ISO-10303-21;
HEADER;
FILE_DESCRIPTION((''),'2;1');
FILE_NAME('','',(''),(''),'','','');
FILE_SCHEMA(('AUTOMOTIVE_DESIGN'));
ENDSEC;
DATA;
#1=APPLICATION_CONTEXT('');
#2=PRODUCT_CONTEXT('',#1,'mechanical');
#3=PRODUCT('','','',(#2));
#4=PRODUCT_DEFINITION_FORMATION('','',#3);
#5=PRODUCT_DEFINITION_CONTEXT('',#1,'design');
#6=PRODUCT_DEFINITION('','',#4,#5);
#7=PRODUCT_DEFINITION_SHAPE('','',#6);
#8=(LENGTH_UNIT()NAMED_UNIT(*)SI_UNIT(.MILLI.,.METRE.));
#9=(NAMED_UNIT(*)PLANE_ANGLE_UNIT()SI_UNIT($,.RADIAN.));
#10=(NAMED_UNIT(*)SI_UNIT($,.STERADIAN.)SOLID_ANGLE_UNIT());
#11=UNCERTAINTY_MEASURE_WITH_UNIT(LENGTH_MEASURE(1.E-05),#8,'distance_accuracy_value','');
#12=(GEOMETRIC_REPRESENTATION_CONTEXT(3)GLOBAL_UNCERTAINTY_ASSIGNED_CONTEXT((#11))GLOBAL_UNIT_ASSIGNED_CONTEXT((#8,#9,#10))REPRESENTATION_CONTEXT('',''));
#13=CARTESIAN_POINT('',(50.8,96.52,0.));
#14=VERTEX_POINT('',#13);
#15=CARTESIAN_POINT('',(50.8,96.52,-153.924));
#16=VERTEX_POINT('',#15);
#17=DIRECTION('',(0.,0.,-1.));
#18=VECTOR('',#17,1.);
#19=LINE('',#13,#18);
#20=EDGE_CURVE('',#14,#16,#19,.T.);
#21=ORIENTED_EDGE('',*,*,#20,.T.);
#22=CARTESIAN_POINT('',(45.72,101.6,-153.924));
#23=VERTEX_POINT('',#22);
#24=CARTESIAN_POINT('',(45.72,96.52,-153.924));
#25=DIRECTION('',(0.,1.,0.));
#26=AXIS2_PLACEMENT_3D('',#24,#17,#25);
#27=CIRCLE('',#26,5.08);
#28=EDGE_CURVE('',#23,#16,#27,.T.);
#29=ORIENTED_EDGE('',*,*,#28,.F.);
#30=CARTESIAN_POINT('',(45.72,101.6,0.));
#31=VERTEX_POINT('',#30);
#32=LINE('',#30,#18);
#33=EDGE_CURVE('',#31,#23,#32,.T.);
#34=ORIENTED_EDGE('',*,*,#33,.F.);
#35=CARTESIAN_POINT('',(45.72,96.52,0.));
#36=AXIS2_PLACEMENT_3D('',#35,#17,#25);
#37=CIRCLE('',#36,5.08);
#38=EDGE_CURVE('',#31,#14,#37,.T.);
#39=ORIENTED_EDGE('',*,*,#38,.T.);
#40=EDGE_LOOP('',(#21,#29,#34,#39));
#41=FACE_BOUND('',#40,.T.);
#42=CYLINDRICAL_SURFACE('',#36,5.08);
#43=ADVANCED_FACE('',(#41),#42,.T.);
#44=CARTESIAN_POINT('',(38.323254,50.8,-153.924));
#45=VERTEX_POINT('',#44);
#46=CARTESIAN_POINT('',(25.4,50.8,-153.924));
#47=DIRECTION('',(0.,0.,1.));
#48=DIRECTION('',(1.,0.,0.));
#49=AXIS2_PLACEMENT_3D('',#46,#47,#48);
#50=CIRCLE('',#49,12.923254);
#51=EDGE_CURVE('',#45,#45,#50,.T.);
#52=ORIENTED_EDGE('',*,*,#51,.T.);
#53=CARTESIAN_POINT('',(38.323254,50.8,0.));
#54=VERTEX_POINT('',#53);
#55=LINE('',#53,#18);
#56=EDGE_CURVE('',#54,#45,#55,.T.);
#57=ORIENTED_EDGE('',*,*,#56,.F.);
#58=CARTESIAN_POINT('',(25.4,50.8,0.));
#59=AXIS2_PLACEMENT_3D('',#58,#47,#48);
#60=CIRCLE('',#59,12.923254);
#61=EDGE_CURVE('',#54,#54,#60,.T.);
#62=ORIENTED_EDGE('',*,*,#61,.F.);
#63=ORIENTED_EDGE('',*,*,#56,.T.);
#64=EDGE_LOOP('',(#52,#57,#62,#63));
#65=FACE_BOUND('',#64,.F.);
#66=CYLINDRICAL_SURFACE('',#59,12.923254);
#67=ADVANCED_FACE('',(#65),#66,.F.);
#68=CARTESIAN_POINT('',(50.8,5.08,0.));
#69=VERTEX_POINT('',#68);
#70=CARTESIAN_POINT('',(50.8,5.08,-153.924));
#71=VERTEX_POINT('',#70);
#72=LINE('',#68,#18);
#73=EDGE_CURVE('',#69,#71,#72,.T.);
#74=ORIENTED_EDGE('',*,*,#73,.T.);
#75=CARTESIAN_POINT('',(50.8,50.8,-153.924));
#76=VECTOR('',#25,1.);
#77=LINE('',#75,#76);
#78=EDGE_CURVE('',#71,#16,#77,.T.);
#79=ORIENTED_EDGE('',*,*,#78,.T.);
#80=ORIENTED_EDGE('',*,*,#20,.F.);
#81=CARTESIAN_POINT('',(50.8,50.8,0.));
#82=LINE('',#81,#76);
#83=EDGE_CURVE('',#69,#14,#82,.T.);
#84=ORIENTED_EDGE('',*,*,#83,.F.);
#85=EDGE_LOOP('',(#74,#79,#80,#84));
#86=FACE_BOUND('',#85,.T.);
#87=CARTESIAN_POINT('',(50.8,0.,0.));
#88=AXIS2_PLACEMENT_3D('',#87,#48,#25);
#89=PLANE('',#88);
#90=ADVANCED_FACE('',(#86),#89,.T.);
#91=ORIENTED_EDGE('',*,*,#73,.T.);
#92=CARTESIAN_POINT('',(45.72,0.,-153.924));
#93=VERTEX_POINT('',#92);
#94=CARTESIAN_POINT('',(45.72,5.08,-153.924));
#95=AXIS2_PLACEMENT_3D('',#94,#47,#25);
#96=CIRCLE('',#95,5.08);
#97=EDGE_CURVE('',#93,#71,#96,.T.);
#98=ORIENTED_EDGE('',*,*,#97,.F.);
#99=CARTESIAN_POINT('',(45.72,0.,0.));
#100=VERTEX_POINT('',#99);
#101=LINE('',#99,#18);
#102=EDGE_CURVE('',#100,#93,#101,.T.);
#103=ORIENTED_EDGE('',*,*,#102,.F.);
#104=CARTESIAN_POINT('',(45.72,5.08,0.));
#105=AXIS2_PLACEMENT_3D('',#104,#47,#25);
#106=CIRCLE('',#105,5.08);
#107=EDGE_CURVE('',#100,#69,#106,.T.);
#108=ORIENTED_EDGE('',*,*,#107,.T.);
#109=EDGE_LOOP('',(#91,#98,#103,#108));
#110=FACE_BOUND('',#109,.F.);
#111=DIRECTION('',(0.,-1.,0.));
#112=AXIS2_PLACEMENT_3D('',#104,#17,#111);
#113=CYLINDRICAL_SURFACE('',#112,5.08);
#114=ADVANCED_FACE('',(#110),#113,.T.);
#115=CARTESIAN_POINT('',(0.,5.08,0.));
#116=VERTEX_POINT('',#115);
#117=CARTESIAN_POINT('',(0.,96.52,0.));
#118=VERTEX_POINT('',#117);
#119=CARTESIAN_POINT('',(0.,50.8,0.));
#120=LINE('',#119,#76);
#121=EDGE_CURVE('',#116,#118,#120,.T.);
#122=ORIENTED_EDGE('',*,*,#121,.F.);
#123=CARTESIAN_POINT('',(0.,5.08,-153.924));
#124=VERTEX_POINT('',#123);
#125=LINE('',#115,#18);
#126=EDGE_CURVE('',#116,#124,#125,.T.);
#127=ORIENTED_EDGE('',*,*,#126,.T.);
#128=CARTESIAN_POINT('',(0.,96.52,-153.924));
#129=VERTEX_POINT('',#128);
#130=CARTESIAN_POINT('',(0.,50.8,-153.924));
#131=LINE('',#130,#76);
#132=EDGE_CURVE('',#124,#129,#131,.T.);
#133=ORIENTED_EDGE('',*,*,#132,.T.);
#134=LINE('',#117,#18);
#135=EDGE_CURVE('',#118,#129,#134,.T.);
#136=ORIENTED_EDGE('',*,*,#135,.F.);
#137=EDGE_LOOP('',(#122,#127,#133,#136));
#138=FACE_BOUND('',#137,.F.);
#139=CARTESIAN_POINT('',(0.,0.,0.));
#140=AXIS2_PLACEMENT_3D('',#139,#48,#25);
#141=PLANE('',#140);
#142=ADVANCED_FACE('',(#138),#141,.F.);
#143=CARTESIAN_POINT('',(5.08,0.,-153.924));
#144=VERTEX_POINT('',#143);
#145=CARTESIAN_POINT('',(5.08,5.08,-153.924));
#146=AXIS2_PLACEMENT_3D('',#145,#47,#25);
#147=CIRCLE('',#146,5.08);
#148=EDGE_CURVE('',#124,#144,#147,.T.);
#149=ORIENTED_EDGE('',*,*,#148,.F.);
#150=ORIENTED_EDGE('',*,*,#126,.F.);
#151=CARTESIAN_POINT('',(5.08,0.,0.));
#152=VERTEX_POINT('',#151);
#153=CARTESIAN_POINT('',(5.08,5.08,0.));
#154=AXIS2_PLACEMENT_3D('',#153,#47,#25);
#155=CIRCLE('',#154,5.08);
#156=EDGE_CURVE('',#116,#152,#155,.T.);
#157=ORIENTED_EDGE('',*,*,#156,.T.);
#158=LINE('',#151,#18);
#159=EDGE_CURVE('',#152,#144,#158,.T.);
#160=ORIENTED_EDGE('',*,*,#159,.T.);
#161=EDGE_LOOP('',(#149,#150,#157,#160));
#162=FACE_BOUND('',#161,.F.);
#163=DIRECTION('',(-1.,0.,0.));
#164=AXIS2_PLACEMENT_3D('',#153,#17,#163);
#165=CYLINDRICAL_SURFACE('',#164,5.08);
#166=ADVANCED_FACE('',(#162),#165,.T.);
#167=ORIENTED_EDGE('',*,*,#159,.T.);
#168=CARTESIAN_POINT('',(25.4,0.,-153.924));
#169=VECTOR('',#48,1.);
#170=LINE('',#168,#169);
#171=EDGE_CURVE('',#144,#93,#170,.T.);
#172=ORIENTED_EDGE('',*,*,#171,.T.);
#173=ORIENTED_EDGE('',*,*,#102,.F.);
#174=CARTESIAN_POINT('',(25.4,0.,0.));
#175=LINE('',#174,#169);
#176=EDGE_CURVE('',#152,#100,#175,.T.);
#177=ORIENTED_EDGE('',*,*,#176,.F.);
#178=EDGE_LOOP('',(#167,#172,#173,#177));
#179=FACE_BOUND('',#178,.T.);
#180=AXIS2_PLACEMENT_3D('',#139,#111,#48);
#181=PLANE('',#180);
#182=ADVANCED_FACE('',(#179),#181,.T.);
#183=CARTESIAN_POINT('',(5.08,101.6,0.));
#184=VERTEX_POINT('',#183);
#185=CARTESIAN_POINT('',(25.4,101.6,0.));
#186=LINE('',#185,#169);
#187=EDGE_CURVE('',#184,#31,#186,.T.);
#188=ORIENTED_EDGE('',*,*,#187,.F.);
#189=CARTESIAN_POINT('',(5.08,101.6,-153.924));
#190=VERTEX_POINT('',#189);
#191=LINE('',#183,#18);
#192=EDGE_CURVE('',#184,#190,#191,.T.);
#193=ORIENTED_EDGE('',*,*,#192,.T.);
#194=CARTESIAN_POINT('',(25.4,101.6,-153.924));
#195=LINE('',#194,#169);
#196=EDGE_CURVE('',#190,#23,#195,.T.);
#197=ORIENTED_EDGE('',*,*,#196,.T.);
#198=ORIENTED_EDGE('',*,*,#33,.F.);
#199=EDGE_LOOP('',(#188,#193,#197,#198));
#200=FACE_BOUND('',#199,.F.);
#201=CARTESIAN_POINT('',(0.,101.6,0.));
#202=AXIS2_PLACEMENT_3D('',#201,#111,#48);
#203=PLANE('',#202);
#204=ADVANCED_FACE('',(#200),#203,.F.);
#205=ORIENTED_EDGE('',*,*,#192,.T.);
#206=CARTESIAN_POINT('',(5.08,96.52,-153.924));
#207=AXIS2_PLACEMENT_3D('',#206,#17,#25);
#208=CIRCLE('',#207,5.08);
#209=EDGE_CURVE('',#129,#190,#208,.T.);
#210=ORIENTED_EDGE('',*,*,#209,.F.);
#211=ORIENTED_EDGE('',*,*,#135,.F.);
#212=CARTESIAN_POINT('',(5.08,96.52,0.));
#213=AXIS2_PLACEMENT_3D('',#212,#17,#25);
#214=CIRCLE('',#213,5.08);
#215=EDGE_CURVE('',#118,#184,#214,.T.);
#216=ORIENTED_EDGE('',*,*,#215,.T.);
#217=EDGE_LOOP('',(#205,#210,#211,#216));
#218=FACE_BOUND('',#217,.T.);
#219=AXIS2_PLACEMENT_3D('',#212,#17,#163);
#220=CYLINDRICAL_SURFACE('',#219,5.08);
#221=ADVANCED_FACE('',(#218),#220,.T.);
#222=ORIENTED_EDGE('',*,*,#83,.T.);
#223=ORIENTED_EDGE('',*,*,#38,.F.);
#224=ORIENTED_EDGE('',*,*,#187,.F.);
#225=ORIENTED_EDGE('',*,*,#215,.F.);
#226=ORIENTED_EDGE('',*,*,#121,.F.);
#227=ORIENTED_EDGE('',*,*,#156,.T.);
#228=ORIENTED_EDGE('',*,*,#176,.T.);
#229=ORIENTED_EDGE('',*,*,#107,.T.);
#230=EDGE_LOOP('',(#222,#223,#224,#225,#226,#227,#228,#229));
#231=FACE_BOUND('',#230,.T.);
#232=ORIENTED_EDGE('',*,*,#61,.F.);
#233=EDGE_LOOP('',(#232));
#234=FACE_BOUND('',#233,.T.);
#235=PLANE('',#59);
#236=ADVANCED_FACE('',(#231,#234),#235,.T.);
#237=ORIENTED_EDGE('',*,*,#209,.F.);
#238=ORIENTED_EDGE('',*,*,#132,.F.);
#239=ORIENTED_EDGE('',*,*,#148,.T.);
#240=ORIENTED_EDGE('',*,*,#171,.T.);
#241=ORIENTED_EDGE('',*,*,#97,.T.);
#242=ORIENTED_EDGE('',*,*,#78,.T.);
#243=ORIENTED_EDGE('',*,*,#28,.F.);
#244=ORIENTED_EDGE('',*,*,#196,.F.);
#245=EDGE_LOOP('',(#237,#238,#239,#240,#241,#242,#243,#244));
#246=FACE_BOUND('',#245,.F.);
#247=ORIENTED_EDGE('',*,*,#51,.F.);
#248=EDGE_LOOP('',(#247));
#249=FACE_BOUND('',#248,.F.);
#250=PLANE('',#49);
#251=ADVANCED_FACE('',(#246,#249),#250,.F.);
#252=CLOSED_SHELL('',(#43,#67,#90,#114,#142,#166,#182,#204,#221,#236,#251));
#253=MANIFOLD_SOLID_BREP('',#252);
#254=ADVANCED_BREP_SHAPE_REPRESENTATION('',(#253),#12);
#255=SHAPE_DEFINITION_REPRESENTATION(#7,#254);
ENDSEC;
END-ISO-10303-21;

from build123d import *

# Parameters (mm, degrees)
F0_W     = 50.8
F0_H     = 101.6
F0_R     = 12.923254
F1_DEPTH = 153.924
F2_R     = 5.08


with BuildPart() as f1:
    # F0 (on Top) → F1 (new body)
    with BuildSketch(Plane.XY):
        with Locations((25.4, 50.8)):
            Rectangle(F0_W, F0_H)
        with Locations((25.4, 50.8)):
            Circle(F0_R, mode=Mode.SUBTRACT)
    extrude(amount=-F1_DEPTH)

    # F2
    f2_edges = [f1.edges().sort_by_distance(p)[0] for p in [
        (50.8, 0, -76.962),
        (50.8, 101.6, -76.962),
        (0, 0, -76.962),
        (0, 101.6, -76.962),
    ]]
    fillet(f2_edges, radius=F2_R)


solid = f1.part
